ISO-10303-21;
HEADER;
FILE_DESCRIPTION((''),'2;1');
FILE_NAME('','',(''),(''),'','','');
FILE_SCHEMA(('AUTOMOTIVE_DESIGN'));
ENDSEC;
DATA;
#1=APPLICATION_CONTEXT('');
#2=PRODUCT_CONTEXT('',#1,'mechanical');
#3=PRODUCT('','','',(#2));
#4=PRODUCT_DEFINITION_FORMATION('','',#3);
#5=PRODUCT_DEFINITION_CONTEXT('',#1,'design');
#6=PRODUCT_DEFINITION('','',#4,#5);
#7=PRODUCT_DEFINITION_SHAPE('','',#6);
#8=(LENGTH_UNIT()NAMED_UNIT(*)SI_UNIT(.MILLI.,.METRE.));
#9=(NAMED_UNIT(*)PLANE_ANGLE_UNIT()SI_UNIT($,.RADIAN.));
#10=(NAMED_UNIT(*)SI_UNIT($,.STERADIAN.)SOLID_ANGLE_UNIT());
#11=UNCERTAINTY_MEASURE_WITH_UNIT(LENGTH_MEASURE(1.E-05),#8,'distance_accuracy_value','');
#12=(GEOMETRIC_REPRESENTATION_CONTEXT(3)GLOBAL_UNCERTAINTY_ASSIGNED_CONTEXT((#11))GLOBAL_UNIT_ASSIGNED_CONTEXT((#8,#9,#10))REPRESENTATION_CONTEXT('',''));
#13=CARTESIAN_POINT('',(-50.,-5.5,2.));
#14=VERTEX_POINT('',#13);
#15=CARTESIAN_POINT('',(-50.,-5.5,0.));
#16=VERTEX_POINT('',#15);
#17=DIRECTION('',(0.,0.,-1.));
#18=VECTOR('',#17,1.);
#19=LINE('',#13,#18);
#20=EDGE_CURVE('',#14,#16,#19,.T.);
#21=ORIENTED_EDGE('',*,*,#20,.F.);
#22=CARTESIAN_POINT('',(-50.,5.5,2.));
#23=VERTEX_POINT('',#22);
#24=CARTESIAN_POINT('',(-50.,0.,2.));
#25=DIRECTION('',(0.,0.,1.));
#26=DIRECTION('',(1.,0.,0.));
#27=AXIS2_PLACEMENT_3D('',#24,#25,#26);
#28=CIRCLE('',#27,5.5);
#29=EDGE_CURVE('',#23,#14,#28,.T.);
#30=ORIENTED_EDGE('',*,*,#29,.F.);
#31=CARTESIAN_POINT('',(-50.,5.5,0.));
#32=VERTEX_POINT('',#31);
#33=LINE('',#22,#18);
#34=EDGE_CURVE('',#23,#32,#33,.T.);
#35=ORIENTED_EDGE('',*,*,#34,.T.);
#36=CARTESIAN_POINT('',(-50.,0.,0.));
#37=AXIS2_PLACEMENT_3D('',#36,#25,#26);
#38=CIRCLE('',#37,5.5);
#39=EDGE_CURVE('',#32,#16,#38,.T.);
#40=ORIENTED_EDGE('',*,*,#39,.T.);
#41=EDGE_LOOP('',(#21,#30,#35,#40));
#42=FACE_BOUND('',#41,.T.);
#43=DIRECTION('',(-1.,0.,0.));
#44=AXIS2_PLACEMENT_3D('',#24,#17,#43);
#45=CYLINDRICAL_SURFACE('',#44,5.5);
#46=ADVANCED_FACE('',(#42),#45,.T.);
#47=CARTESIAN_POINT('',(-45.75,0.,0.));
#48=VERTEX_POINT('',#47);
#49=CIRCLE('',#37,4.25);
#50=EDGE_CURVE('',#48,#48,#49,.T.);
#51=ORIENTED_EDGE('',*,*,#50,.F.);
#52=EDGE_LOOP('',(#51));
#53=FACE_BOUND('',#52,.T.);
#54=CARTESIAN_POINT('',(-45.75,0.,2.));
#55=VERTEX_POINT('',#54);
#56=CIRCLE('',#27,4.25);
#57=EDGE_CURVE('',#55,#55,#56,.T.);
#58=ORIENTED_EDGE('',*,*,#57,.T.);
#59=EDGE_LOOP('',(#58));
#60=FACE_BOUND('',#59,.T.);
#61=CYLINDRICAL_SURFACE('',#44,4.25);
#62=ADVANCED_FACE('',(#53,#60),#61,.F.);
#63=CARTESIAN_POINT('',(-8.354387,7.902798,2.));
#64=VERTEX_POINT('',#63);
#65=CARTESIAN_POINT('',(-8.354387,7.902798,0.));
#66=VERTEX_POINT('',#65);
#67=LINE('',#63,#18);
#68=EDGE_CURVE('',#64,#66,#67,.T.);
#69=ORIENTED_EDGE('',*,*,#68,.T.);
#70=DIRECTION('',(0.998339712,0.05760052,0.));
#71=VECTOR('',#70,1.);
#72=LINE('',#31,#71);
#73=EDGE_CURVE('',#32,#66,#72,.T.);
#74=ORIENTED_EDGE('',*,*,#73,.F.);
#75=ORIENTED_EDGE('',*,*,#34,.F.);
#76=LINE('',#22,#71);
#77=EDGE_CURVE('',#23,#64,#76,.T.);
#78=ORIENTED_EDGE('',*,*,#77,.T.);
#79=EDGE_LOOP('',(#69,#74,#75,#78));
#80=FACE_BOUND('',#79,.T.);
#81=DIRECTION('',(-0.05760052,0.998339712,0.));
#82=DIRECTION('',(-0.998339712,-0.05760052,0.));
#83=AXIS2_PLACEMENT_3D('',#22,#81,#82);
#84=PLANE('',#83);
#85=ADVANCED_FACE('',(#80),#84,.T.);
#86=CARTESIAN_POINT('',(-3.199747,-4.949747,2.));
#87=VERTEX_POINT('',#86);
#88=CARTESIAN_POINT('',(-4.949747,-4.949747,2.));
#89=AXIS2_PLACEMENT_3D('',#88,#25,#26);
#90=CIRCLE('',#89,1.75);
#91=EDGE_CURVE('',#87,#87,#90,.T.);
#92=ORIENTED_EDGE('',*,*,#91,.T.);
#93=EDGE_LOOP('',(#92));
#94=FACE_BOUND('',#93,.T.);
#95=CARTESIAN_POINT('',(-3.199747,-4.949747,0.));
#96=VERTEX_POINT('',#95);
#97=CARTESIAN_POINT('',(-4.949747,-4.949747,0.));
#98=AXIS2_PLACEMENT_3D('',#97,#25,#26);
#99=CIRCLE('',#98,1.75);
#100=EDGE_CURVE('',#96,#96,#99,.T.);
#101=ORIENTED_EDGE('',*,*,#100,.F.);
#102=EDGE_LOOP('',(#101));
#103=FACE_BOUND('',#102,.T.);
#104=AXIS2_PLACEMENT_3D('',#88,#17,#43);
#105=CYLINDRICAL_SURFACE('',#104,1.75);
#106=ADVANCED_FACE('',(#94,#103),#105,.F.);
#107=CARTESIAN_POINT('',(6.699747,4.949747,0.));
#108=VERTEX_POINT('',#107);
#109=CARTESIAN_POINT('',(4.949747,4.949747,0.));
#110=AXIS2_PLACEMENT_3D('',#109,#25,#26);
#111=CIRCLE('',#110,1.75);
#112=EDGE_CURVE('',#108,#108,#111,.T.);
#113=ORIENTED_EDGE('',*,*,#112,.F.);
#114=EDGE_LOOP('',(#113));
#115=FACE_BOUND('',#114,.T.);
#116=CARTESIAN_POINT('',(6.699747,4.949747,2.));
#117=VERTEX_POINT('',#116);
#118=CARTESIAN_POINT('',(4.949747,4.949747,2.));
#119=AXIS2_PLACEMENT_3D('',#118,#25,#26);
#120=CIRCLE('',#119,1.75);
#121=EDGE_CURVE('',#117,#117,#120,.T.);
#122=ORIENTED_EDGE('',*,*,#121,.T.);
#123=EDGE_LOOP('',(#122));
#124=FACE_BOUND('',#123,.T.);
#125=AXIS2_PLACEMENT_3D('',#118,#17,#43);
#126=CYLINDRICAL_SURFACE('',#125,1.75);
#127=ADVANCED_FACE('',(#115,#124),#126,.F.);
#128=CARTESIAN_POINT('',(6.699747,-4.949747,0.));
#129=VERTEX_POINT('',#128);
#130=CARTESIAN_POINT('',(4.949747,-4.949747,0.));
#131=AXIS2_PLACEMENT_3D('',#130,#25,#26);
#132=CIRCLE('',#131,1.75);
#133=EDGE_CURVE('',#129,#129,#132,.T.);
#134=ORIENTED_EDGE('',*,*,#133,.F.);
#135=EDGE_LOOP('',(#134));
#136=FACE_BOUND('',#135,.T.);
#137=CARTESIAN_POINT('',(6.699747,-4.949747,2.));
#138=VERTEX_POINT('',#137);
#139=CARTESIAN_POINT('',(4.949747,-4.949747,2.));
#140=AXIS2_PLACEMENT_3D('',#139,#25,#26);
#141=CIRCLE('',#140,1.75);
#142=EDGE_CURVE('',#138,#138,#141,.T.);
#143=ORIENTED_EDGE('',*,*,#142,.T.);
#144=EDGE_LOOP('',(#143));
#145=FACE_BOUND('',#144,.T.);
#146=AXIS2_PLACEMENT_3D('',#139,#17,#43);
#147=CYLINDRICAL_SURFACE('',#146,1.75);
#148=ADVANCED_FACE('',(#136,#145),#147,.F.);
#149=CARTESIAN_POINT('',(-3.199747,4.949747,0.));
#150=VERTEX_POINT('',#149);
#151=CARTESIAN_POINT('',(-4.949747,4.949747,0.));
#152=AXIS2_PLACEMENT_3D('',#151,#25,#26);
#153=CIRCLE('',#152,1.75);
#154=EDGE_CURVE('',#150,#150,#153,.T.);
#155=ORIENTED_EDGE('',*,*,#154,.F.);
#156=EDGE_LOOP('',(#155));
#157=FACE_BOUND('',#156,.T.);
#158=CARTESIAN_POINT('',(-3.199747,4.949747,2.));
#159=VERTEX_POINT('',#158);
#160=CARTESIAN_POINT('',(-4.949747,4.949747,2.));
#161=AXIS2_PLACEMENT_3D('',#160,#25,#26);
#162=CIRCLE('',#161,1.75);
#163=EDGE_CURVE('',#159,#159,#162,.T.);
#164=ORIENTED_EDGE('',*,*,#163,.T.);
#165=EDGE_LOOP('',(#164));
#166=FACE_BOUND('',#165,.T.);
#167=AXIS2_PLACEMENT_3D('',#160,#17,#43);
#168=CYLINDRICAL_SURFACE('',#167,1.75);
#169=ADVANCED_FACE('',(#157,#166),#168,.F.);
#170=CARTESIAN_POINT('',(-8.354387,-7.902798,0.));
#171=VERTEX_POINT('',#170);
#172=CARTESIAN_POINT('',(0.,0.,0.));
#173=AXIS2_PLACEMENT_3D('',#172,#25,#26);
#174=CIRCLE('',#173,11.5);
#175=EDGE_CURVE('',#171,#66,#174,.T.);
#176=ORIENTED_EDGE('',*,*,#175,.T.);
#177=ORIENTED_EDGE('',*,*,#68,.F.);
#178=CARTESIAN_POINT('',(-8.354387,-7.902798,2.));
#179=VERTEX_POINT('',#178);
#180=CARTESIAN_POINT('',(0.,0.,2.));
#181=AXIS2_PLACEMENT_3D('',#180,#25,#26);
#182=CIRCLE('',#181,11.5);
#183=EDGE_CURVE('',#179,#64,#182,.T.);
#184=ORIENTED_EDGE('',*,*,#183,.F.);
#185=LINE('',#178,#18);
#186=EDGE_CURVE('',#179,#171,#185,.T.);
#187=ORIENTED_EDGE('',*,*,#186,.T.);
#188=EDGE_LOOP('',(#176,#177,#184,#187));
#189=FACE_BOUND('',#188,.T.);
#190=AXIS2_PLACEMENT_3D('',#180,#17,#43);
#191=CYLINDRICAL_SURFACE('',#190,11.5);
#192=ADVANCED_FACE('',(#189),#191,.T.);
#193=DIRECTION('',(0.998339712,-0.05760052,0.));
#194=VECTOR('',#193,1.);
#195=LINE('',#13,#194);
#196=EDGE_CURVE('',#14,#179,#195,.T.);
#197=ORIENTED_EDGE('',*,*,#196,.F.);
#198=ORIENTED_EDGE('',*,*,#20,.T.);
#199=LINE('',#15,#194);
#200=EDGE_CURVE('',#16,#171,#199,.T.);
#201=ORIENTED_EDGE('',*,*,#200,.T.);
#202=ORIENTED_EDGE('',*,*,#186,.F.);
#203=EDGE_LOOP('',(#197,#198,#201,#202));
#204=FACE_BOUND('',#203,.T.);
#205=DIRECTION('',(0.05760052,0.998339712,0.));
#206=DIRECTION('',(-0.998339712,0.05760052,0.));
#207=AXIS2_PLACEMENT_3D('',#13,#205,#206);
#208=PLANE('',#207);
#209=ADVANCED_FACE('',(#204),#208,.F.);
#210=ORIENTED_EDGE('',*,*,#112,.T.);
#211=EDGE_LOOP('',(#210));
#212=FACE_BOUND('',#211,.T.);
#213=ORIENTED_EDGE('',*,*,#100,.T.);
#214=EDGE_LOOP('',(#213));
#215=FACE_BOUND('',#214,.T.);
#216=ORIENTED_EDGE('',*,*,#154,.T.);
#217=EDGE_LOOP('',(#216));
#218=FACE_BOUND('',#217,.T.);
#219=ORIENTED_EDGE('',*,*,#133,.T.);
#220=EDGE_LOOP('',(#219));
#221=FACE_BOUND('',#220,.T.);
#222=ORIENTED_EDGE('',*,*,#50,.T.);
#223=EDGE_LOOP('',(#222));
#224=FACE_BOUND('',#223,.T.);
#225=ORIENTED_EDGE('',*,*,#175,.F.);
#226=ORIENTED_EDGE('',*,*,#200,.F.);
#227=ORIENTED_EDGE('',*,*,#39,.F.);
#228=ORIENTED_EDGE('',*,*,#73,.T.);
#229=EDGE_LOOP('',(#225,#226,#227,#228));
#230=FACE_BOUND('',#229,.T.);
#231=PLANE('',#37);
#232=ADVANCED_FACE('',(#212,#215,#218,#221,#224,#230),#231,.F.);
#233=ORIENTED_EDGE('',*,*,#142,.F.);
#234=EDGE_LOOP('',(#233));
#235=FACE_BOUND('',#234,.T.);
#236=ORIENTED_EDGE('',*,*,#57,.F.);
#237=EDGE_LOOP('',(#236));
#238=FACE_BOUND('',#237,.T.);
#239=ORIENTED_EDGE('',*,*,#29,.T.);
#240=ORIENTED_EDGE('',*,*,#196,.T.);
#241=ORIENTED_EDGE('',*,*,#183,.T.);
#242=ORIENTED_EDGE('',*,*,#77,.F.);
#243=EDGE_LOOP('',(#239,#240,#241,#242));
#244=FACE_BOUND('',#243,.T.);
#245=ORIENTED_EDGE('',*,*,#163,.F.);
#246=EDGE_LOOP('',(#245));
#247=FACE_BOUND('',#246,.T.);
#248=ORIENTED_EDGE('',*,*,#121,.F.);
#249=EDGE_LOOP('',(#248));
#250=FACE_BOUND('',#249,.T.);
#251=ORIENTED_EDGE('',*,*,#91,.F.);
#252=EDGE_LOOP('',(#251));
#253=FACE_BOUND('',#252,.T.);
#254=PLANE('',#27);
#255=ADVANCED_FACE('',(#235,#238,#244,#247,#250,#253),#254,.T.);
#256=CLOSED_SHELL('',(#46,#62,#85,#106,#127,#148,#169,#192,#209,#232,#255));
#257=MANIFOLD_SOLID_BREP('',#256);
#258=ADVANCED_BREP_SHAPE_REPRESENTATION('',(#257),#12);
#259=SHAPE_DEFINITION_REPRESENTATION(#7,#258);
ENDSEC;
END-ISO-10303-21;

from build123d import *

# Parameters (mm, degrees)
SKETCH_1_R      = 4.25
SKETCH_1_R_2    = 1.75
EXTRUDE_1_DEPTH = 2


with BuildPart() as part:
    # 草图1 → 凸台-拉伸1 (new body)
    with BuildSketch(Plane.XY):
        with BuildLine():
            Line((-50, 5.5), (-8.354386795, 7.90279832))
            ThreePointArc((-8.354386795, 7.90279832), (11.5, 0), (-8.354386795, -7.90279832))
            Line((-8.354386795, -7.90279832), (-50, -5.5))
            ThreePointArc((-50, -5.5), (-55.5, 0), (-50, 5.5))
        make_face()
        with Locations((-50, 0)):
            Circle(SKETCH_1_R, mode=Mode.SUBTRACT)
        with Locations((4.949747468, 4.949747468)):
            Circle(SKETCH_1_R_2, mode=Mode.SUBTRACT)
        with Locations((4.949747468, -4.949747468)):
            Circle(SKETCH_1_R_2, mode=Mode.SUBTRACT)
        with Locations((-4.949747468, -4.949747468)):
            Circle(SKETCH_1_R_2, mode=Mode.SUBTRACT)
        with Locations((-4.949747468, 4.949747468)):
            Circle(SKETCH_1_R_2, mode=Mode.SUBTRACT)
    extrude(amount=EXTRUDE_1_DEPTH)


solid = part.part
